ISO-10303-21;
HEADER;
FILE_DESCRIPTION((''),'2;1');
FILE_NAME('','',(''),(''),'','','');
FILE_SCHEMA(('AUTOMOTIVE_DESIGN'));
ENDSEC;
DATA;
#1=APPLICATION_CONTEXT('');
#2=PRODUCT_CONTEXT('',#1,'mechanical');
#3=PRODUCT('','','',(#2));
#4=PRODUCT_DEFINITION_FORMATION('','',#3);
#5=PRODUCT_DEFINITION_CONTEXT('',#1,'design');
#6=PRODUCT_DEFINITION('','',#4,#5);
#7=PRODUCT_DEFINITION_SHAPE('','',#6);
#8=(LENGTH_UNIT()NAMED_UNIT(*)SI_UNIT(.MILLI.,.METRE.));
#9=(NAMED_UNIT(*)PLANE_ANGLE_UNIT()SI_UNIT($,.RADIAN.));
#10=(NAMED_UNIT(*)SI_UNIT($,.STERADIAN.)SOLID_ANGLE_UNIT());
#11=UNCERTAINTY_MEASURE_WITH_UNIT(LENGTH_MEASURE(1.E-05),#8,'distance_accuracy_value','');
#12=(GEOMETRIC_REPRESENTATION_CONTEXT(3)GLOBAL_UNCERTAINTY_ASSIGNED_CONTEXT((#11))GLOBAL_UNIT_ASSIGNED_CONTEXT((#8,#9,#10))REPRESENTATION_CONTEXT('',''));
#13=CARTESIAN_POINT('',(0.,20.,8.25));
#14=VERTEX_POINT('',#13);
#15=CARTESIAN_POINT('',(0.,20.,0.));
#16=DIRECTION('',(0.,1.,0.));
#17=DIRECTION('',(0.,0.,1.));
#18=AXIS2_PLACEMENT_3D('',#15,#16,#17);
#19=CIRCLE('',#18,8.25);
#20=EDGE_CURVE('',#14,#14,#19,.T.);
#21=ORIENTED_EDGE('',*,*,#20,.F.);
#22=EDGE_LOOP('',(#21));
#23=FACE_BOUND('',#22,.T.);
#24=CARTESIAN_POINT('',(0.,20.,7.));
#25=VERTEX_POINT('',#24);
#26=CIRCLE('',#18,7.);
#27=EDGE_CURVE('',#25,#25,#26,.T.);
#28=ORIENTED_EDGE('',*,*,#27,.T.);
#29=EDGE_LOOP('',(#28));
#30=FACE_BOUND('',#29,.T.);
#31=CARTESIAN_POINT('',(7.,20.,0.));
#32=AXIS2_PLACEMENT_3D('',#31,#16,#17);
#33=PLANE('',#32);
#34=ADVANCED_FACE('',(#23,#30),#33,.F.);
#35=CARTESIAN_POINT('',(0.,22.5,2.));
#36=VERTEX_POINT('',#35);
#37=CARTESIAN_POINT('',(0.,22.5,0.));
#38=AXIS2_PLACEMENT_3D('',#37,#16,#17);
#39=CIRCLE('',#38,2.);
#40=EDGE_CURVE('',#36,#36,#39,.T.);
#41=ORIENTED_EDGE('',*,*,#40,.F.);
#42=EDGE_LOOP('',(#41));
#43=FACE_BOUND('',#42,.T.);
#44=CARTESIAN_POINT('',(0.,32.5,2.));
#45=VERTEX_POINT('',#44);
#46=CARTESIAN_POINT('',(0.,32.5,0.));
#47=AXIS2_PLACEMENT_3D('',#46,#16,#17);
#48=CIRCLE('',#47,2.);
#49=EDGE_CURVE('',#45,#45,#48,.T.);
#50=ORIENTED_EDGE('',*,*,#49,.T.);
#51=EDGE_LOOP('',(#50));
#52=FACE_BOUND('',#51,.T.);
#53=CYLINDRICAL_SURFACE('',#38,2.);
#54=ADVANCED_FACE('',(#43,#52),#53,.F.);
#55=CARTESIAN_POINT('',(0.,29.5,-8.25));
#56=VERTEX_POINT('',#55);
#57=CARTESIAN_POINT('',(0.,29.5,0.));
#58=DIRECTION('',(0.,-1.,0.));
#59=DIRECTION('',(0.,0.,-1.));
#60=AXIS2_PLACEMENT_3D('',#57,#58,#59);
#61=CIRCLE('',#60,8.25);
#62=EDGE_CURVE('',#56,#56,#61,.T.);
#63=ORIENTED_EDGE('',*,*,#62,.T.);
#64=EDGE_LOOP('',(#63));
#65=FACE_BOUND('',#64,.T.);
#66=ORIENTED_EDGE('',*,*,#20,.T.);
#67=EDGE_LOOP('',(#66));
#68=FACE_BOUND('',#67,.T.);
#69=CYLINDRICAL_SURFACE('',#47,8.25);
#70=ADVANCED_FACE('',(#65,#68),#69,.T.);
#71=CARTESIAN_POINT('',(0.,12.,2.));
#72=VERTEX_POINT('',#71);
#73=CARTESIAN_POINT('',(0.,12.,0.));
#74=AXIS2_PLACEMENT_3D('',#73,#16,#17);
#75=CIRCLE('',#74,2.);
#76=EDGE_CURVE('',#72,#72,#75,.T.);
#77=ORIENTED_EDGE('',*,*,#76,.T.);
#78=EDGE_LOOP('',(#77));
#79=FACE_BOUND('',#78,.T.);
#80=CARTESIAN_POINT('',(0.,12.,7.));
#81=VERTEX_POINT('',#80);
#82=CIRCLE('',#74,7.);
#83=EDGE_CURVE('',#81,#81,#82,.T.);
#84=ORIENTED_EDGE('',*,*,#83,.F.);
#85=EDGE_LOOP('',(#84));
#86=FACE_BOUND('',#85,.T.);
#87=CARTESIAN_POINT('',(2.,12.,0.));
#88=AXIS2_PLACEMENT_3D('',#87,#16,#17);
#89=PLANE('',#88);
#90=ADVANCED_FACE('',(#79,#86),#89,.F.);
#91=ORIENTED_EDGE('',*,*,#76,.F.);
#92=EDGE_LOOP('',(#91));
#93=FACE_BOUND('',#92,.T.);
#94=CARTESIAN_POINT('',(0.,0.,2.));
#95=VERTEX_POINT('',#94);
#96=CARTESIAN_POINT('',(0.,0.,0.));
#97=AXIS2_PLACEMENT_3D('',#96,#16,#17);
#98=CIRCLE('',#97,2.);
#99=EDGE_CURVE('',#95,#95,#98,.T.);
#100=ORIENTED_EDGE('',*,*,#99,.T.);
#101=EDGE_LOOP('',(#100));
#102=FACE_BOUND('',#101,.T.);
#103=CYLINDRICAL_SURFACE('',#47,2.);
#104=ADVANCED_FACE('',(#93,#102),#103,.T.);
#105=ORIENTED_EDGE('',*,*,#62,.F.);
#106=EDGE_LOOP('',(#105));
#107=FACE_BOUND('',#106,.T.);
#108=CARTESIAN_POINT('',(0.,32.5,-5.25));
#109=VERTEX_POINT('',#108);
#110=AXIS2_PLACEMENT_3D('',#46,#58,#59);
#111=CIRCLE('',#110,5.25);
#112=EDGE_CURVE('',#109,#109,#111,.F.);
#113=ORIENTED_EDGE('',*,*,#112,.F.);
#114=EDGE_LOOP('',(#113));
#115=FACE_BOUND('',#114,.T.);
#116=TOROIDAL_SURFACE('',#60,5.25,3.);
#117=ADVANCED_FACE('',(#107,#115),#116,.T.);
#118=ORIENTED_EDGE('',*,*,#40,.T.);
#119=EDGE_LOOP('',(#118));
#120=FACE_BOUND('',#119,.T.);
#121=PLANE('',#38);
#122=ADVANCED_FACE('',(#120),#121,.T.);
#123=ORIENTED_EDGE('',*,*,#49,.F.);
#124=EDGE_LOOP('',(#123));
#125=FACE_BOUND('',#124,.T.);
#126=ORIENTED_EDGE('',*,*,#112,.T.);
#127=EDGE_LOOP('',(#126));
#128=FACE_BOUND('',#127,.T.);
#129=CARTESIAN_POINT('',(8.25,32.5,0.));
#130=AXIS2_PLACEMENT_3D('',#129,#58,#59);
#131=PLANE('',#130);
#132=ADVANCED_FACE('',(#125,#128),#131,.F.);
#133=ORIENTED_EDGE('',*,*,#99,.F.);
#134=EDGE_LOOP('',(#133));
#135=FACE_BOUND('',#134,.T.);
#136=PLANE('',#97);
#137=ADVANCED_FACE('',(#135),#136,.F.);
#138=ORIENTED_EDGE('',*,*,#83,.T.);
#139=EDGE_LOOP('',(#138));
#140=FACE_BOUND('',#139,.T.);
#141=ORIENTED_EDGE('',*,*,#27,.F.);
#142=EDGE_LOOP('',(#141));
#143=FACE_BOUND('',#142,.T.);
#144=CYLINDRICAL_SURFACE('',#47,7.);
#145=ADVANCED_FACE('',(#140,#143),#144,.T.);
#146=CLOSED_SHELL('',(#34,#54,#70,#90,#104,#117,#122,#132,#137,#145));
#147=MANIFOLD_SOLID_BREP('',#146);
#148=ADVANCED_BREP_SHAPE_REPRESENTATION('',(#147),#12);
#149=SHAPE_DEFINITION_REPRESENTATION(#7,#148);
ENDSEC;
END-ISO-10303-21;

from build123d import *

# Parameters (mm, degrees)
CROQUIS2_R            = 2
CORTAR_EXTRUIR1_DEPTH = 10
REDONDEO1_R           = 3


with BuildPart() as part:
    # Croquis1 → Revolución1 (revolve)
    with BuildSketch(Plane.XY, mode=Mode.PRIVATE) as revoluci_n1_sk:
        Polygon((0, 0), (2, 0), (2, 12), (7, 12), (7, 20), (8.25, 20), (8.25, 32.5), (0, 32.5), align=None)
    revolve(revoluci_n1_sk.sketch.rotate(Axis((0, 32.5, 0), (0, -1, 0)), 90), axis=Axis((0, 32.5, 0), (0, -1, 0)))

    # Croquis2 → Cortar-Extruir1 (cut)
    with BuildSketch(Plane(origin=(0, 32.5, 0), x_dir=(1, 0, 0), z_dir=(0, 1, 0))):
        with Locations(Location((0, 0, 0), (0, 0, 270))):
            Circle(CROQUIS2_R)
    extrude(amount=-CORTAR_EXTRUIR1_DEPTH, mode=Mode.SUBTRACT)

    # Redondeo1
    redondeo1_edges = [part.edges().sort_by_distance(p)[0] for p in [
        (0, 32.5, -8.25),
    ]]
    fillet(redondeo1_edges, radius=REDONDEO1_R)


solid = part.part
